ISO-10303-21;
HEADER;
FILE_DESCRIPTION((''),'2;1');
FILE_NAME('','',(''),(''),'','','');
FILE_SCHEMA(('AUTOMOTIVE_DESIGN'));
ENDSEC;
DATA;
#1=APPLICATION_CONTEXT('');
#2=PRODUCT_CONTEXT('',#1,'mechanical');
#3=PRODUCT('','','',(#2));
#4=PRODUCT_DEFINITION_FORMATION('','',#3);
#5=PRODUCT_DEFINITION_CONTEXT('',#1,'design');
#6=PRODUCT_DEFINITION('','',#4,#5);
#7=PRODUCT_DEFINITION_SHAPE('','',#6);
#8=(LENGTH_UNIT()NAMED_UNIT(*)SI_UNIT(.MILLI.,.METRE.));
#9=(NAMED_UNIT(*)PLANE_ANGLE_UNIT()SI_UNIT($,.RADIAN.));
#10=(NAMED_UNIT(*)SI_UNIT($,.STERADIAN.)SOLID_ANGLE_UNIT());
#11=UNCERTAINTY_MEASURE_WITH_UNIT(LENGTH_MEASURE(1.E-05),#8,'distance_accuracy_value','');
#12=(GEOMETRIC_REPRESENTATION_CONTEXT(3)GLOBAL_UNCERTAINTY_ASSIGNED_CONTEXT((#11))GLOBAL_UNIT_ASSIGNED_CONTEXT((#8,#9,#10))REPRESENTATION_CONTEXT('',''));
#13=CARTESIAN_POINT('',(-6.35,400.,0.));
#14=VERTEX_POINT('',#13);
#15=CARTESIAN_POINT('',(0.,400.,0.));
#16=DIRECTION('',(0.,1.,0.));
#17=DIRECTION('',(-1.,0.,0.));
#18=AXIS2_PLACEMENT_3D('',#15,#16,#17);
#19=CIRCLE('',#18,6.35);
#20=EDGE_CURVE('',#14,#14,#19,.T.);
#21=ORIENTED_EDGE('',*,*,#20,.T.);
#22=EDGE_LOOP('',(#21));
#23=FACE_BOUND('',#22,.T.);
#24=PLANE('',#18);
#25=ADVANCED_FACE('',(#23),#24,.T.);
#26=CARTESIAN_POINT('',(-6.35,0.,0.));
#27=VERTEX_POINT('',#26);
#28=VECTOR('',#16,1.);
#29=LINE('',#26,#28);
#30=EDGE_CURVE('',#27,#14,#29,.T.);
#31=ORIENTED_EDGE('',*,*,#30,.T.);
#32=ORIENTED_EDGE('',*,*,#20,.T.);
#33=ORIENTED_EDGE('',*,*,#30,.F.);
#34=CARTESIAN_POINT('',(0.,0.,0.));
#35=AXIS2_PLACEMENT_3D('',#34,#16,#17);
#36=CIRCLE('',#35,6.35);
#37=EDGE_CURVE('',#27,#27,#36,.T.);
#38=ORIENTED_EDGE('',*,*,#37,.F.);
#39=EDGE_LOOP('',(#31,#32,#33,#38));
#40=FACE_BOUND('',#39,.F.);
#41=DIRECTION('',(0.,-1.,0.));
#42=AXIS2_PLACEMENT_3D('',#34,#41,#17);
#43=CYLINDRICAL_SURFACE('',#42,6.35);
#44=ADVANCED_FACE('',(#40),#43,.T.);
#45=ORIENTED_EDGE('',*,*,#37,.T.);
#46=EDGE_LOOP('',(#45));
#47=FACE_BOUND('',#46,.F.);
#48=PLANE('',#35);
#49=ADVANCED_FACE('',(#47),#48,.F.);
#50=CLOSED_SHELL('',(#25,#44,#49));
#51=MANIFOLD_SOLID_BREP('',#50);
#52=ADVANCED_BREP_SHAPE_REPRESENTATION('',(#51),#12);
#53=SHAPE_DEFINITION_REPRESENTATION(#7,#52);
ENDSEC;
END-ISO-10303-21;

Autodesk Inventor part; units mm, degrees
ref_plane "YZ Plane" through (0, 0, 0) normal (1, 0, 0) x (0, 1, 0)
ref_plane "XZ Plane" through (0, 0, 0) normal (0, 1, 0) x (-1, 0, 0)
ref_plane "XY Plane" through (0, 0, 0) normal (0, 0, 1) x (1, 0, 0)
sketch "Sketch1" plane through (0, 0, 0) normal (0, 1, 0) x (-1, 0, 0)
  circle A0 centre (0, 0) radius 6.35
  dimension "d0" = 12.7
extrude "Extrusion1" add sketch "Sketch1" along normal blind 400
thread "Thread1" size "M14x2" class "6g" standard "ANSI Metric M Profile" full length
properties part number "ThreadBar127"
